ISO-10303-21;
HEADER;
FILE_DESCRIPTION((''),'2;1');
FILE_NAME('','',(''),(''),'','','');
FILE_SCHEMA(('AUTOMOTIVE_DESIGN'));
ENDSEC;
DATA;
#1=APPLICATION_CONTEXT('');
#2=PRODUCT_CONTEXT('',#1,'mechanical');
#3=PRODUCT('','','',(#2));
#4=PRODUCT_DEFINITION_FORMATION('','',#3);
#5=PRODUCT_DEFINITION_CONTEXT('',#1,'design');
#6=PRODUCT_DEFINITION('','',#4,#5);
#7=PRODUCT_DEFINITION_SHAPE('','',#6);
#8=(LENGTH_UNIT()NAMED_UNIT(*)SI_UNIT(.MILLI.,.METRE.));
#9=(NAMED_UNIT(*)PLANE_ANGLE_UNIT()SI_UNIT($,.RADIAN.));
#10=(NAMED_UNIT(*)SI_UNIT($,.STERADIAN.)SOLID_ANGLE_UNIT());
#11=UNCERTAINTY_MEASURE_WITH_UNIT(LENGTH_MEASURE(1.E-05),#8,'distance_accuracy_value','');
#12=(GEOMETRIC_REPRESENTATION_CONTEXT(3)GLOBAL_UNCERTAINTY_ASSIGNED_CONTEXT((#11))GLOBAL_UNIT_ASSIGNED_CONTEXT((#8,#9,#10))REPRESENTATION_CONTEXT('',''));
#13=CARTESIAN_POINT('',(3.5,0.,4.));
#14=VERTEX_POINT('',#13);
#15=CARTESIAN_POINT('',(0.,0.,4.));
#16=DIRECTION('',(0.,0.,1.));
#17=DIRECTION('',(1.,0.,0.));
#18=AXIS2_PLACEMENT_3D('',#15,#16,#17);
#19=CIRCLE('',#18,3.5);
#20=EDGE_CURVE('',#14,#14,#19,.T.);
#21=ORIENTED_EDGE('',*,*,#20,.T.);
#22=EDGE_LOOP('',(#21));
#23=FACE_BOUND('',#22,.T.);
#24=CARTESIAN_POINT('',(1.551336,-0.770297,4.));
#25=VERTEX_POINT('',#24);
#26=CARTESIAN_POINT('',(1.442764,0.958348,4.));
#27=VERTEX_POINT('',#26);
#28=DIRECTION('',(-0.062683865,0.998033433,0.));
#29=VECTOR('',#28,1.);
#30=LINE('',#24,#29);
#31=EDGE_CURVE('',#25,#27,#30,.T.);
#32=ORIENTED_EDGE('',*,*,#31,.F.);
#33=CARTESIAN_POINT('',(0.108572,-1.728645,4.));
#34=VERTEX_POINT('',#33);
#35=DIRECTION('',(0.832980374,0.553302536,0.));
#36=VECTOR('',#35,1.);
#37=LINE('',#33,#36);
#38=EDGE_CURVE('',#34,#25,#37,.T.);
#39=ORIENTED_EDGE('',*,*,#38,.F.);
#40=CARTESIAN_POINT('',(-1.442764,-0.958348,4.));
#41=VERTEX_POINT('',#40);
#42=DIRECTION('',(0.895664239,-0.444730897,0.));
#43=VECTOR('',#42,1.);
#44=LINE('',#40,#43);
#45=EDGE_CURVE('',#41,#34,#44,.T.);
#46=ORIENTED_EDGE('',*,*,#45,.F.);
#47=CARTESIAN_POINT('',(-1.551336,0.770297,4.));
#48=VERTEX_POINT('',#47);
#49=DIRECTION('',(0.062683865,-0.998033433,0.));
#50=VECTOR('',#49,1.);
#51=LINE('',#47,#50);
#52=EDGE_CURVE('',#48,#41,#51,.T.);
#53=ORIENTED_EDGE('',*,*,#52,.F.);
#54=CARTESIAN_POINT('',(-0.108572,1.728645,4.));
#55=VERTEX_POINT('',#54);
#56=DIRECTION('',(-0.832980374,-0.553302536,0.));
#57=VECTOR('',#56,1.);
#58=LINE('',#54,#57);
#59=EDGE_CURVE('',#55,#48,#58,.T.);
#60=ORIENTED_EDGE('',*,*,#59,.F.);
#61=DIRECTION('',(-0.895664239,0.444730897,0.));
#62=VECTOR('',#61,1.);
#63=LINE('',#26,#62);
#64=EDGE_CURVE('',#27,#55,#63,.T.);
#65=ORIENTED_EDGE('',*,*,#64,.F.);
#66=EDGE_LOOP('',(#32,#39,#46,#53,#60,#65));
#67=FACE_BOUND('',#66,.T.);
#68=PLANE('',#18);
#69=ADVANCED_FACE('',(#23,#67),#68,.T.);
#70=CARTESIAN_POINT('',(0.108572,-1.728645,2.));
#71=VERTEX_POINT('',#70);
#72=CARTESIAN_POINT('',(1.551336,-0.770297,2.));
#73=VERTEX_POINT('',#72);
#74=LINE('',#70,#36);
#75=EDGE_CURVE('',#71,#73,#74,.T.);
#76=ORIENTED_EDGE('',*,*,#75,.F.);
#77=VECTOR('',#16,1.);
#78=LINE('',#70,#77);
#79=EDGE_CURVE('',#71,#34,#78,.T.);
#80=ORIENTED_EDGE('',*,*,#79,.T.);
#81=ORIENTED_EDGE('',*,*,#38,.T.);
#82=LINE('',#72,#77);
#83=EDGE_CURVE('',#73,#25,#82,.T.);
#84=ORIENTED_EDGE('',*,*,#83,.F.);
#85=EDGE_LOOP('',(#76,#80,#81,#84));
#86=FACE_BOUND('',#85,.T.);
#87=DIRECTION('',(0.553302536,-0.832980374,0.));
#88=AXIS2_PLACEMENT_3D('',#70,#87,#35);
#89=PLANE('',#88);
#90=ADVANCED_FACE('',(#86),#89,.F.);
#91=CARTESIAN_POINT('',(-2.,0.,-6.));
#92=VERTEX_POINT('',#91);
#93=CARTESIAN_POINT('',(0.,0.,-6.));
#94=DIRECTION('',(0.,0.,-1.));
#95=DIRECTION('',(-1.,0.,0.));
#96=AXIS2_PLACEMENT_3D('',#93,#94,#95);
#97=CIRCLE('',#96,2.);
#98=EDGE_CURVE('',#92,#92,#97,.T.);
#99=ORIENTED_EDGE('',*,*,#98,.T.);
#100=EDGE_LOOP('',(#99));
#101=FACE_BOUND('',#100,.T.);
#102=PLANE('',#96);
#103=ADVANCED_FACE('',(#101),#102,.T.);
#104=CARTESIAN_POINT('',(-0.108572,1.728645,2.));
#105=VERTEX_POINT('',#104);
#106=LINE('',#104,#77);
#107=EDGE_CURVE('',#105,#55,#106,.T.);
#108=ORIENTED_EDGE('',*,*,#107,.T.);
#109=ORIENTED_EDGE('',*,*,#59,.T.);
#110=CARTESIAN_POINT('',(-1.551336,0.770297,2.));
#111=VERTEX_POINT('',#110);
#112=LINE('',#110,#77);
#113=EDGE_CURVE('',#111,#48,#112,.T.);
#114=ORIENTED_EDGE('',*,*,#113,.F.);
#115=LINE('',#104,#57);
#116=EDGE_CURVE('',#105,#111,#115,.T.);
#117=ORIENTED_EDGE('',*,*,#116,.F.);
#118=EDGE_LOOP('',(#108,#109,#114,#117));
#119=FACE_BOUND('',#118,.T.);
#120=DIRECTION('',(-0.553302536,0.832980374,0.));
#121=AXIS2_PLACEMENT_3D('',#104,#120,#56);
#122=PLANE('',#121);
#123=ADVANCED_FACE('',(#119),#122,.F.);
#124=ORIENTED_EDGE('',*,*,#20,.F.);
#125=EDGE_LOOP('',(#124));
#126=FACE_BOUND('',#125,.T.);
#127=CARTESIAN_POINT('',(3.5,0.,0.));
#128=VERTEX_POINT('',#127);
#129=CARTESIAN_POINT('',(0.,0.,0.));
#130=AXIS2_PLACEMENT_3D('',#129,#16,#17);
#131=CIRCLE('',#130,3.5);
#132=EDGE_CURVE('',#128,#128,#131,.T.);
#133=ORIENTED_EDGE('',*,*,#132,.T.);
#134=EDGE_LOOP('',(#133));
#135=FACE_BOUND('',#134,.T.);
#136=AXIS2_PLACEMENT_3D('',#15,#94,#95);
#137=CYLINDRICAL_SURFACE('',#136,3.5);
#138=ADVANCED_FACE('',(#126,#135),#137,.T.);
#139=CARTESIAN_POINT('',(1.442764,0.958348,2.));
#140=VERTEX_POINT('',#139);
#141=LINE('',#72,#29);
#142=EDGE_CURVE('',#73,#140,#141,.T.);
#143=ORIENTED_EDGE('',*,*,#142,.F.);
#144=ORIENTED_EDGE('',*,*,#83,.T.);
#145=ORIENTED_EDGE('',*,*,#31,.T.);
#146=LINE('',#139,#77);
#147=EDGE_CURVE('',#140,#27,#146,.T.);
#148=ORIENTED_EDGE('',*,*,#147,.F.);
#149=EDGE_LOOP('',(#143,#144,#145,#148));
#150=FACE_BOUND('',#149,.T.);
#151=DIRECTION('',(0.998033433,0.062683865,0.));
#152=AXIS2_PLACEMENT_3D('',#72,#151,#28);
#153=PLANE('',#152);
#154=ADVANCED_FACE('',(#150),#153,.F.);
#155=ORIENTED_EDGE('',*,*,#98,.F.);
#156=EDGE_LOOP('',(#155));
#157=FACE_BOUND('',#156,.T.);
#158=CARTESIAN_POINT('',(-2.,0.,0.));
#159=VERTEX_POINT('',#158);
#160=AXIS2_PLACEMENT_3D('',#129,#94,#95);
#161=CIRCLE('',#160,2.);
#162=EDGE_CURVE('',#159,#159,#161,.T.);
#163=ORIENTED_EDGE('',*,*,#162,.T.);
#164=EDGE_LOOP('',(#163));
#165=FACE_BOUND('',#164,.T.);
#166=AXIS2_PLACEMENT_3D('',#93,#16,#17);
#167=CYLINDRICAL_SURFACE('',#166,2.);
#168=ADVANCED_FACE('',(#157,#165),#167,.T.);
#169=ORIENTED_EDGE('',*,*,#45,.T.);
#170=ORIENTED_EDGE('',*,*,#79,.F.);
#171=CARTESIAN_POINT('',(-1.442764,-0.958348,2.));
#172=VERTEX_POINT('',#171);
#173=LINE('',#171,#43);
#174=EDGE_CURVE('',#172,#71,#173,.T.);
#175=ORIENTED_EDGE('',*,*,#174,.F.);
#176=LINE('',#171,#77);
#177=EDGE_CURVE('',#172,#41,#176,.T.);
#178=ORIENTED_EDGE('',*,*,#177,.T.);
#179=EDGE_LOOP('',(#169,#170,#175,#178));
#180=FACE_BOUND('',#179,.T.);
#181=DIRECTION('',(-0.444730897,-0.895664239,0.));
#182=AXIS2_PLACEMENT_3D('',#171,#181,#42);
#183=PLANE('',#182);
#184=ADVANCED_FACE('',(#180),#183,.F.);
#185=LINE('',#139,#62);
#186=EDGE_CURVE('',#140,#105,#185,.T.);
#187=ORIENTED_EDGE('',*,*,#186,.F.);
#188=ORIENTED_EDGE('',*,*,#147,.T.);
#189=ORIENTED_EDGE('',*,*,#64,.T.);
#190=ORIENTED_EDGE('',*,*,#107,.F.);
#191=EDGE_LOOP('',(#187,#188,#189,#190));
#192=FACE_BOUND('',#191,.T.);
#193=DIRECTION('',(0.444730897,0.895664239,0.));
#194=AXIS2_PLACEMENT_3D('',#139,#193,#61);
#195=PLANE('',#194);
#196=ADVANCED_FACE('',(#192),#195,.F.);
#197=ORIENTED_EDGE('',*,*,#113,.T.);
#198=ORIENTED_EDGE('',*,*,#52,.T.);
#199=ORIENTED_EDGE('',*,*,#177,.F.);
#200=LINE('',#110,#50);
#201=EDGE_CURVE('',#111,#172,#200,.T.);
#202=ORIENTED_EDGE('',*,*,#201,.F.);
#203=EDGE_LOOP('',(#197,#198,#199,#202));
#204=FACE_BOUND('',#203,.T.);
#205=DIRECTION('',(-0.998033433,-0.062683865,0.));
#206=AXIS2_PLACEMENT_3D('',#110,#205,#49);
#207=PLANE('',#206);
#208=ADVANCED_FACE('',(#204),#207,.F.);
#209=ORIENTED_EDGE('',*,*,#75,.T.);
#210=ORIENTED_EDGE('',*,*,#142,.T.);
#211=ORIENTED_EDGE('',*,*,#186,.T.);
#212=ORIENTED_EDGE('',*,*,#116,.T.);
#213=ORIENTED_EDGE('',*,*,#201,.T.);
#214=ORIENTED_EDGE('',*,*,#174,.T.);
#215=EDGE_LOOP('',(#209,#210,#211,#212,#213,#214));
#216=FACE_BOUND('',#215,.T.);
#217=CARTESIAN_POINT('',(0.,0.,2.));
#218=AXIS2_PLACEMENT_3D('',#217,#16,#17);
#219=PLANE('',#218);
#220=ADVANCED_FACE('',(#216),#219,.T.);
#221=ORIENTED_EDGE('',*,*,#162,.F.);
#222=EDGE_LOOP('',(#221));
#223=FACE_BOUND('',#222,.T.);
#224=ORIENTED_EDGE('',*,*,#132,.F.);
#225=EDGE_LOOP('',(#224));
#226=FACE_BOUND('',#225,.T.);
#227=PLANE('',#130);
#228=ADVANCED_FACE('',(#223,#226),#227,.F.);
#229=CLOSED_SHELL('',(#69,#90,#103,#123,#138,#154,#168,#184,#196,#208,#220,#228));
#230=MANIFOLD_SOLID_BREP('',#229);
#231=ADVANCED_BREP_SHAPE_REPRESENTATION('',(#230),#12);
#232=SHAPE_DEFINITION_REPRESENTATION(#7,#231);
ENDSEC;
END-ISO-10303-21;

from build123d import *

# Parameters (mm, degrees)
SKETCH_1_R          = 3.5
EXTRUDE_1_DEPTH     = 4
CUT_EXTRUDE_1_DEPTH = 2
SKETCH_3_R          = 2
EXTRUDE_2_DEPTH     = 6


with BuildPart() as part:
    # 草图1 → 凸台-拉伸1 (new body)
    with BuildSketch(Plane.XY):
        Circle(SKETCH_1_R)
    extrude(amount=EXTRUDE_1_DEPTH)

    # 草图2 → 切除-拉伸1 (cut)
    with BuildSketch(Plane.XY.offset(4)):
        Polygon((1.551335969, -0.77029651), (1.44276433, 0.958348104), (-0.108571638, 1.728644613), (-1.551335969, 0.77029651), (-1.44276433, -0.958348104), (0.108571638, -1.728644613), align=None)
    extrude(amount=-CUT_EXTRUDE_1_DEPTH, mode=Mode.SUBTRACT)

    # 草图3 → 凸台-拉伸2 (add)
    with BuildSketch(Plane(origin=(0, 0, 0), x_dir=(-1, 0, 0), z_dir=(0, 0, -1))):
        Circle(SKETCH_3_R)
    extrude(amount=EXTRUDE_2_DEPTH)


solid = part.part
